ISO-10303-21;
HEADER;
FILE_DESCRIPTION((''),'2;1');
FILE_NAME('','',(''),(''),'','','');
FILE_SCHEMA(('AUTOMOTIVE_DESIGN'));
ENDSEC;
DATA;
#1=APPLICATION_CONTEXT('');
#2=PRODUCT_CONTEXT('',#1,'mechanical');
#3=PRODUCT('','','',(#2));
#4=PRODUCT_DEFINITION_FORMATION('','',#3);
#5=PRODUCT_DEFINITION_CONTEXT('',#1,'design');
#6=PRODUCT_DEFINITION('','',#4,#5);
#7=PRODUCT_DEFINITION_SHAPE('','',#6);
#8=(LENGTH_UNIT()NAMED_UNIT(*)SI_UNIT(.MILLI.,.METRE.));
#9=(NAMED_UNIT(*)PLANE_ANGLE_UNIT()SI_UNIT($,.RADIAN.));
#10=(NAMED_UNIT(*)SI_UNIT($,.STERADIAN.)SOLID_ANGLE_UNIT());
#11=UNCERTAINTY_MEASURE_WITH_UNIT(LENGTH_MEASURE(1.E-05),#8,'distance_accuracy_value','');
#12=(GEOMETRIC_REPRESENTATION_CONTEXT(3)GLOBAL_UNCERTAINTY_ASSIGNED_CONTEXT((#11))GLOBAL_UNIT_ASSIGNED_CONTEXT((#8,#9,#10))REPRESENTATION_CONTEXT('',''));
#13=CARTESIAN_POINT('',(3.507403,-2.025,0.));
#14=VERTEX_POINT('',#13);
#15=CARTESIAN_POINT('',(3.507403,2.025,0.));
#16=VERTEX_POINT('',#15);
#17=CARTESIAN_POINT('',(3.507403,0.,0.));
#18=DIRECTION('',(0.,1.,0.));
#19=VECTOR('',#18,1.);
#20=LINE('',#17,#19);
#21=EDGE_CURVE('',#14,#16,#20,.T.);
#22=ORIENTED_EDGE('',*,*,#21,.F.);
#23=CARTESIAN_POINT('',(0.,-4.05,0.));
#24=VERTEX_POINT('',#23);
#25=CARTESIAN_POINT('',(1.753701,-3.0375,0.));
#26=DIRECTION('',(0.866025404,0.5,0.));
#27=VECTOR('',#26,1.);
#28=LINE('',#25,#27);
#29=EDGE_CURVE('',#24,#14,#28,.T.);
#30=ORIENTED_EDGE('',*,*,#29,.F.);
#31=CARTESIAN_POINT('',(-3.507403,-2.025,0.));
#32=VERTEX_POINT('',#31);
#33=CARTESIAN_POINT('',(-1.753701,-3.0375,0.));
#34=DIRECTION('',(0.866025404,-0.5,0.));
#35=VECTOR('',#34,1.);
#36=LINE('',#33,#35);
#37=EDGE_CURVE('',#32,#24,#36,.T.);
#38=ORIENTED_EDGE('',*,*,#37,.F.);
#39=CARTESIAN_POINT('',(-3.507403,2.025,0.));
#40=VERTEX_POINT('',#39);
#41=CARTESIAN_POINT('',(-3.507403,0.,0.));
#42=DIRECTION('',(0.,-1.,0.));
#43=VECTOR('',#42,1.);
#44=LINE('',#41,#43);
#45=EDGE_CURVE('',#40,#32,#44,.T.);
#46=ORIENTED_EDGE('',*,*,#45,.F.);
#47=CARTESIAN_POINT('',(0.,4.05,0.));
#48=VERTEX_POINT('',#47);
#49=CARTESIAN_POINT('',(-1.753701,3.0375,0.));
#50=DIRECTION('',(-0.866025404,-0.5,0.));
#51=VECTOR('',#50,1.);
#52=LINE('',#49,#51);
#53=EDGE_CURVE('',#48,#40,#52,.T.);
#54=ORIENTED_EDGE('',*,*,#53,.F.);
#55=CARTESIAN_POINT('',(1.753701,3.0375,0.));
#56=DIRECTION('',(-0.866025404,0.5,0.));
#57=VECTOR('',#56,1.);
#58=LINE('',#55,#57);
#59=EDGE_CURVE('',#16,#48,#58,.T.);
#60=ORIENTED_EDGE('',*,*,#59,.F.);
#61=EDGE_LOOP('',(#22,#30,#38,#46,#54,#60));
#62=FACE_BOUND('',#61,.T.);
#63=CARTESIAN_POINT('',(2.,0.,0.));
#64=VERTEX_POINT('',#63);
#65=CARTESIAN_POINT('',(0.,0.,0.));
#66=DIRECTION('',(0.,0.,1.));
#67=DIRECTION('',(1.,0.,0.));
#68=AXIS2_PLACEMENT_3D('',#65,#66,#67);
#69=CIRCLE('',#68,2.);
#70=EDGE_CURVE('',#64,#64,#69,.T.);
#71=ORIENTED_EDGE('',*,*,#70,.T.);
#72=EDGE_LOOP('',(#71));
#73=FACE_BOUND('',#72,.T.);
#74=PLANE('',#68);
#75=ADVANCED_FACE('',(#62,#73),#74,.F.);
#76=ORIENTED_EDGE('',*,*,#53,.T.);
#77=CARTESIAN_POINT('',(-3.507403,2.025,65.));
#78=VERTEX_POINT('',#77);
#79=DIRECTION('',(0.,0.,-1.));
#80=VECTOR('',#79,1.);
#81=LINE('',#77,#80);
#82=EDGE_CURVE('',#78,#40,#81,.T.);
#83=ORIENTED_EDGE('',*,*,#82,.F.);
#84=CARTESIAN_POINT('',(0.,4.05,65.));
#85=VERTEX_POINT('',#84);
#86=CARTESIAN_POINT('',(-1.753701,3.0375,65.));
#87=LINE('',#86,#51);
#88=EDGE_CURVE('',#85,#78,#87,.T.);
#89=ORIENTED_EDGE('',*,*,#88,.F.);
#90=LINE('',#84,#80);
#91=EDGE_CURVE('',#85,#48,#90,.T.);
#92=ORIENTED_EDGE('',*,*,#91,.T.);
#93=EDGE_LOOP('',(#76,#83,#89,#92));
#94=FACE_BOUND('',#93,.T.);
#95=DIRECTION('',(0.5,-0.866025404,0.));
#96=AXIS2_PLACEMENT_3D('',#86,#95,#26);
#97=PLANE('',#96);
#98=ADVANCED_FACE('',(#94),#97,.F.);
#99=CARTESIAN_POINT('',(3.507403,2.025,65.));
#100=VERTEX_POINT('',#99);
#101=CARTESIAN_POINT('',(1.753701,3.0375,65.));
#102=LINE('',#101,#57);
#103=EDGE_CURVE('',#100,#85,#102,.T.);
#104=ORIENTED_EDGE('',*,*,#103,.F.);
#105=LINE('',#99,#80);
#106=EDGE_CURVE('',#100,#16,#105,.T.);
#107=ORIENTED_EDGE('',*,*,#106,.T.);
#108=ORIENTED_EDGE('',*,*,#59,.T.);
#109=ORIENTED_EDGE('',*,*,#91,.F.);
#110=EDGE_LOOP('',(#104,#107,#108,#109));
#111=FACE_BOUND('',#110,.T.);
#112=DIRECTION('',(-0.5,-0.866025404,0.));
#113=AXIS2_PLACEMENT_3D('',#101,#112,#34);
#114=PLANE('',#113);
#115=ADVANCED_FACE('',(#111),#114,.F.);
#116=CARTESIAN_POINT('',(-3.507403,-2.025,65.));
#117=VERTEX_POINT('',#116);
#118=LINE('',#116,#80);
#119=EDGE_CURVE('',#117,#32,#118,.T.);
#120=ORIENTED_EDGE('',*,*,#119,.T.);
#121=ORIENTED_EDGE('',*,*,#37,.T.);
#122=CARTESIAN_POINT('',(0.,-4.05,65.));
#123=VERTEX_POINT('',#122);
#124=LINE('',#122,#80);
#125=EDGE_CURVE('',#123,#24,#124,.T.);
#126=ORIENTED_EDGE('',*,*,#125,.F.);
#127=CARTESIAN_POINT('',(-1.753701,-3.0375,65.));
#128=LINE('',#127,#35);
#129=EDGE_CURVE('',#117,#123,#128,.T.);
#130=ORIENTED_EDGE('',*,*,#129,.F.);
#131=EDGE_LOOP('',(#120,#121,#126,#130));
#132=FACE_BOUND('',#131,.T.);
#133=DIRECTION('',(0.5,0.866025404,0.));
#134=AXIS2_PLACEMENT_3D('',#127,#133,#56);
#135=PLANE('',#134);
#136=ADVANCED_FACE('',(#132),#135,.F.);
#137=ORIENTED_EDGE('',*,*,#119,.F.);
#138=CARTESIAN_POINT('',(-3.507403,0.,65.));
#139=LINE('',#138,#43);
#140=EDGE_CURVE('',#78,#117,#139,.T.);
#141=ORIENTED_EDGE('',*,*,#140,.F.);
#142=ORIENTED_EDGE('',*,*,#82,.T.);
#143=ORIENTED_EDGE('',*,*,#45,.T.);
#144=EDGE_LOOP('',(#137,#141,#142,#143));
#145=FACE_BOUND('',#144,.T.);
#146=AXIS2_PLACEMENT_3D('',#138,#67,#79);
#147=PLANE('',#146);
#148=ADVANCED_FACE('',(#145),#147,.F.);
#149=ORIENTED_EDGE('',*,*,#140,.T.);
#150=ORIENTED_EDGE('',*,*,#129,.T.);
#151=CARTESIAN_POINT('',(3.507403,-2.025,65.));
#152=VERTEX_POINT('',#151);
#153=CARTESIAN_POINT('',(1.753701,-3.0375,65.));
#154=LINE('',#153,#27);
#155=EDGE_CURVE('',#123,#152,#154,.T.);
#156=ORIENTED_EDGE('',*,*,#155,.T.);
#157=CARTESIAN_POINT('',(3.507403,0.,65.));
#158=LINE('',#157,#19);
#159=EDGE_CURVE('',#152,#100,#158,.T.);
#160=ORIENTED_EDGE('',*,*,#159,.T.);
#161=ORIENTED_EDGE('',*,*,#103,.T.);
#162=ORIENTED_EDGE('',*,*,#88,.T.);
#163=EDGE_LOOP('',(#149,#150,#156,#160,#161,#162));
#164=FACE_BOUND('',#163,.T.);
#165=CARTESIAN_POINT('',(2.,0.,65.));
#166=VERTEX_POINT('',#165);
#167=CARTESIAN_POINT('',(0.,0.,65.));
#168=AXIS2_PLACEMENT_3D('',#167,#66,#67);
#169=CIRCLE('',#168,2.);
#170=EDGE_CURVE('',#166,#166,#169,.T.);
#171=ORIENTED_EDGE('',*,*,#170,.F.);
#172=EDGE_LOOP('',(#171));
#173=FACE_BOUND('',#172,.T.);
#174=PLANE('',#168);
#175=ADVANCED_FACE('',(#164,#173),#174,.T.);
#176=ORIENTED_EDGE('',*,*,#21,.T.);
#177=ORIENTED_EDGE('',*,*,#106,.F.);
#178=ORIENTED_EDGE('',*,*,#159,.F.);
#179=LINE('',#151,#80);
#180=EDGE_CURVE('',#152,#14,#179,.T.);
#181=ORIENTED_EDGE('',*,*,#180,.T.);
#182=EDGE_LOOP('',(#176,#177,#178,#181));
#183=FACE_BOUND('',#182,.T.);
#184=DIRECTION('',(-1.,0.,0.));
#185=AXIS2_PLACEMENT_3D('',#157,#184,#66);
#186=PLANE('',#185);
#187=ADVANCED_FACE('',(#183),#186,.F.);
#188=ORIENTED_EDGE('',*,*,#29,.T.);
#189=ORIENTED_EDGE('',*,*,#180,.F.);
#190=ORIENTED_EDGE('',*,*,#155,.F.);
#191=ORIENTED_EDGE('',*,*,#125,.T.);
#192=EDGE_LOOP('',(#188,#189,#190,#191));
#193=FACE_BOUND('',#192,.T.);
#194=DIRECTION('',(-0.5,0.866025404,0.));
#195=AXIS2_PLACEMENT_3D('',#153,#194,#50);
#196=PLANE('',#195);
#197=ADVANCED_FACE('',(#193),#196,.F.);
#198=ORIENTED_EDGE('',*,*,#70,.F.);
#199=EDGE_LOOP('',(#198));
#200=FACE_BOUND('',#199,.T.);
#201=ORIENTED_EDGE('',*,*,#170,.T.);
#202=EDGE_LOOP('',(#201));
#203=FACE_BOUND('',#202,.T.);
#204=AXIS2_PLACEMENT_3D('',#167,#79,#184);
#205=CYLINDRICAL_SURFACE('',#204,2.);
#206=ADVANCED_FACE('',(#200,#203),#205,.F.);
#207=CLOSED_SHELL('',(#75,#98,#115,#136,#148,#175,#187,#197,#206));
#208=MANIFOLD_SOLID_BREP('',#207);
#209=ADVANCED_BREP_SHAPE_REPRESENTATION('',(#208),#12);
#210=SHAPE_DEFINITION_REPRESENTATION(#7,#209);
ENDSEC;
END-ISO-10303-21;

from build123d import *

# Parameters (mm, degrees)
SKETCH_1_R      = 2
EXTRUDE_1_DEPTH = 65


with BuildPart() as part:
    # 草图1 → 凸台-拉伸1 (new body)
    with BuildSketch(Plane.XY):
        Polygon((0, 4.05), (-3.507402885, 2.025), (-3.507402885, -2.025), (0, -4.05), (3.507402885, -2.025), (3.507402885, 2.025), align=None)
        Circle(SKETCH_1_R, mode=Mode.SUBTRACT)
    extrude(amount=EXTRUDE_1_DEPTH)


solid = part.part
